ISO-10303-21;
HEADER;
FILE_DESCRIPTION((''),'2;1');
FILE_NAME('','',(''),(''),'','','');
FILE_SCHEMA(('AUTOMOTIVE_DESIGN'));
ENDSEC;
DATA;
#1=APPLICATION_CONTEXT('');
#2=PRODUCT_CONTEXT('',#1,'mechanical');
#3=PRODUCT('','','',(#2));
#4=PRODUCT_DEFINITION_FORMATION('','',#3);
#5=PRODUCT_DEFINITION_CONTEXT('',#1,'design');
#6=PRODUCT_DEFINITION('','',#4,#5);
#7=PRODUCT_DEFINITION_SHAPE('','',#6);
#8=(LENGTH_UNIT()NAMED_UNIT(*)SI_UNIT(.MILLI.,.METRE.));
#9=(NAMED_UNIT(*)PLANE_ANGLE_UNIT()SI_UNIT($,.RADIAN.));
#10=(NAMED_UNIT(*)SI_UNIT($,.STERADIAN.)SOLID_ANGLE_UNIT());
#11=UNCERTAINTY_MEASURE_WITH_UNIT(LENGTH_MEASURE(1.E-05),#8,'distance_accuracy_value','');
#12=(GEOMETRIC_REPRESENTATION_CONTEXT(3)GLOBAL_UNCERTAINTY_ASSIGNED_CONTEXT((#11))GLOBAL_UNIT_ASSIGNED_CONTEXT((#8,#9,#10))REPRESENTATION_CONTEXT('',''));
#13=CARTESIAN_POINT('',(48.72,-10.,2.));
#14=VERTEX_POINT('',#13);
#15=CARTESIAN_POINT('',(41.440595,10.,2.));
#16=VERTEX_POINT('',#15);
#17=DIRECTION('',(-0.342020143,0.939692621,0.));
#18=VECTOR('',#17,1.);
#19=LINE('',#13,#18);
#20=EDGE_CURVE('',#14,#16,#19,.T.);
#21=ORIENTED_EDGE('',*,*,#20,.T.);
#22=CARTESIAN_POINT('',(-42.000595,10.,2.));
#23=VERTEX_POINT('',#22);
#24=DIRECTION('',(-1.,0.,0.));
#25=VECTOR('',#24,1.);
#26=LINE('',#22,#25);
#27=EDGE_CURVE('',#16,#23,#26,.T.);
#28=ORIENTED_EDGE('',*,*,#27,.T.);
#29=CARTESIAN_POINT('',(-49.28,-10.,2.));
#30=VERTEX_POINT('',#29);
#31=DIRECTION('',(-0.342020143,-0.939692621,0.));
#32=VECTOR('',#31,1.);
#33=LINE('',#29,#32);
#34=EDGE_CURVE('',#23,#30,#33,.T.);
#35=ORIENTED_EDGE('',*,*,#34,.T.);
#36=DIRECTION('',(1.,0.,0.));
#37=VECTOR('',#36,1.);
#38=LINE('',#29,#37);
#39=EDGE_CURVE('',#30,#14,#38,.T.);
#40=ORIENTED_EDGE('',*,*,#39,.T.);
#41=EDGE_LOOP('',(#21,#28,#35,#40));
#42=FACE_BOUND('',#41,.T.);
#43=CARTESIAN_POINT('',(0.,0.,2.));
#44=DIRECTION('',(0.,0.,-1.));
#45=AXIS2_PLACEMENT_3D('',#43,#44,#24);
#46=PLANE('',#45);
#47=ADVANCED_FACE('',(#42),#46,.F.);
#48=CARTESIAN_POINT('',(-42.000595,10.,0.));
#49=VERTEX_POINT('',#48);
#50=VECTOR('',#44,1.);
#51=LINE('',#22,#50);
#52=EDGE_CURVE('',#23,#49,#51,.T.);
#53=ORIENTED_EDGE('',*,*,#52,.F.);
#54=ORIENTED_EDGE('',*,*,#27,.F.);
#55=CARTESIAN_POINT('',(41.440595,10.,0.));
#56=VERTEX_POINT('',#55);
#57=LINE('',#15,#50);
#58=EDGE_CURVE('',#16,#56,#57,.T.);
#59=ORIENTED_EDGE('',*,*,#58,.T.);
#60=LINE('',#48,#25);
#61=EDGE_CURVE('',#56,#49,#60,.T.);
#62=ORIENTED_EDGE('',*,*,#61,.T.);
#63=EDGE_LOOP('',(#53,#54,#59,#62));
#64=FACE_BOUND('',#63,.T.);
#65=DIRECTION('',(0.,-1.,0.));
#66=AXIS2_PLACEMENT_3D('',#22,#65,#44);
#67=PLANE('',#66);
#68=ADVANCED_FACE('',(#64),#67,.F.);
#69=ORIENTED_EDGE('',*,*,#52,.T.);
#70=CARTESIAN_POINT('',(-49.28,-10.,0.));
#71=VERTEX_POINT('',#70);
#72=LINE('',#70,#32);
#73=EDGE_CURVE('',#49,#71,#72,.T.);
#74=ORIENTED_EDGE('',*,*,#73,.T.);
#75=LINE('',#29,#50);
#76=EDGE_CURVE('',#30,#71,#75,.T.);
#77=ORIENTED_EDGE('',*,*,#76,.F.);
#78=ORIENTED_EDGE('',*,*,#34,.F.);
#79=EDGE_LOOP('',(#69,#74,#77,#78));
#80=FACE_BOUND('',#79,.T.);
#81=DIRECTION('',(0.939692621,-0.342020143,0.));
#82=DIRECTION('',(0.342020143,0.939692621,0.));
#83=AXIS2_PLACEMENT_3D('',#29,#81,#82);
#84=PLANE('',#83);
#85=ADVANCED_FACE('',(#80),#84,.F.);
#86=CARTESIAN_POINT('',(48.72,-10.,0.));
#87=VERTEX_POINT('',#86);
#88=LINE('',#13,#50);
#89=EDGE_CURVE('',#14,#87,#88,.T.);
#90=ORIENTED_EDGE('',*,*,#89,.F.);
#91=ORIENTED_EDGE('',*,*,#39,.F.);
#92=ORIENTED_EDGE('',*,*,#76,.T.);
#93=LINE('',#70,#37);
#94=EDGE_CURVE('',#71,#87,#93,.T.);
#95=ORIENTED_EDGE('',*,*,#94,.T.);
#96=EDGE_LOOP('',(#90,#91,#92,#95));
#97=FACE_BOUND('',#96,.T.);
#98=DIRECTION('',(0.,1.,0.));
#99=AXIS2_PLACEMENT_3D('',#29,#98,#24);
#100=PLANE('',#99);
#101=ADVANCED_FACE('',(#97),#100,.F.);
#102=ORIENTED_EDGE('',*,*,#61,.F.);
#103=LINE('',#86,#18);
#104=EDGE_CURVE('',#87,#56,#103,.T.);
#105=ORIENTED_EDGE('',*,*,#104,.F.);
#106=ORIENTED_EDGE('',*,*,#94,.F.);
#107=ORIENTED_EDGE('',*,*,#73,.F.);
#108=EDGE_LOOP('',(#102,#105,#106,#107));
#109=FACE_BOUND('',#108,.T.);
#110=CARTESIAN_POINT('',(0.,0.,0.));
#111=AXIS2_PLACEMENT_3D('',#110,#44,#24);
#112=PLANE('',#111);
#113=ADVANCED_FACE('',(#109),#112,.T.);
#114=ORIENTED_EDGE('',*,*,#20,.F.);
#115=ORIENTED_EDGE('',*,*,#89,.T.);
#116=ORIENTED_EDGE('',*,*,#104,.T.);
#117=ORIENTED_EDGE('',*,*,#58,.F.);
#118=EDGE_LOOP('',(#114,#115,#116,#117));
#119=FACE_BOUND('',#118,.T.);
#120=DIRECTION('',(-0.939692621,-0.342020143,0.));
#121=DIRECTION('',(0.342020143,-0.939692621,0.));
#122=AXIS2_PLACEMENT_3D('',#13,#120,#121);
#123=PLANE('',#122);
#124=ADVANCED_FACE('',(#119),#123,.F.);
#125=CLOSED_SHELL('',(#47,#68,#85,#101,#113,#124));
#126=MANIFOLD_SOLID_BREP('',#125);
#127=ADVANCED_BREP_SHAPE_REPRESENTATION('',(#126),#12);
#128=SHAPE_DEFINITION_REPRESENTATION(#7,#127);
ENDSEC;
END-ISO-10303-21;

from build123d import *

# Parameters (mm, degrees)
BOSS_EXTRUDE1_DEPTH = 2


with BuildPart() as part:
    # Sketch2 → Boss-Extrude1 (new body)
    with BuildSketch(Plane.XY):
        Polygon((-49.28, -10), (48.72, -10), (41.440595315, 10), (-42.000595315, 10), align=None)
    extrude(amount=BOSS_EXTRUDE1_DEPTH)


solid = part.part
